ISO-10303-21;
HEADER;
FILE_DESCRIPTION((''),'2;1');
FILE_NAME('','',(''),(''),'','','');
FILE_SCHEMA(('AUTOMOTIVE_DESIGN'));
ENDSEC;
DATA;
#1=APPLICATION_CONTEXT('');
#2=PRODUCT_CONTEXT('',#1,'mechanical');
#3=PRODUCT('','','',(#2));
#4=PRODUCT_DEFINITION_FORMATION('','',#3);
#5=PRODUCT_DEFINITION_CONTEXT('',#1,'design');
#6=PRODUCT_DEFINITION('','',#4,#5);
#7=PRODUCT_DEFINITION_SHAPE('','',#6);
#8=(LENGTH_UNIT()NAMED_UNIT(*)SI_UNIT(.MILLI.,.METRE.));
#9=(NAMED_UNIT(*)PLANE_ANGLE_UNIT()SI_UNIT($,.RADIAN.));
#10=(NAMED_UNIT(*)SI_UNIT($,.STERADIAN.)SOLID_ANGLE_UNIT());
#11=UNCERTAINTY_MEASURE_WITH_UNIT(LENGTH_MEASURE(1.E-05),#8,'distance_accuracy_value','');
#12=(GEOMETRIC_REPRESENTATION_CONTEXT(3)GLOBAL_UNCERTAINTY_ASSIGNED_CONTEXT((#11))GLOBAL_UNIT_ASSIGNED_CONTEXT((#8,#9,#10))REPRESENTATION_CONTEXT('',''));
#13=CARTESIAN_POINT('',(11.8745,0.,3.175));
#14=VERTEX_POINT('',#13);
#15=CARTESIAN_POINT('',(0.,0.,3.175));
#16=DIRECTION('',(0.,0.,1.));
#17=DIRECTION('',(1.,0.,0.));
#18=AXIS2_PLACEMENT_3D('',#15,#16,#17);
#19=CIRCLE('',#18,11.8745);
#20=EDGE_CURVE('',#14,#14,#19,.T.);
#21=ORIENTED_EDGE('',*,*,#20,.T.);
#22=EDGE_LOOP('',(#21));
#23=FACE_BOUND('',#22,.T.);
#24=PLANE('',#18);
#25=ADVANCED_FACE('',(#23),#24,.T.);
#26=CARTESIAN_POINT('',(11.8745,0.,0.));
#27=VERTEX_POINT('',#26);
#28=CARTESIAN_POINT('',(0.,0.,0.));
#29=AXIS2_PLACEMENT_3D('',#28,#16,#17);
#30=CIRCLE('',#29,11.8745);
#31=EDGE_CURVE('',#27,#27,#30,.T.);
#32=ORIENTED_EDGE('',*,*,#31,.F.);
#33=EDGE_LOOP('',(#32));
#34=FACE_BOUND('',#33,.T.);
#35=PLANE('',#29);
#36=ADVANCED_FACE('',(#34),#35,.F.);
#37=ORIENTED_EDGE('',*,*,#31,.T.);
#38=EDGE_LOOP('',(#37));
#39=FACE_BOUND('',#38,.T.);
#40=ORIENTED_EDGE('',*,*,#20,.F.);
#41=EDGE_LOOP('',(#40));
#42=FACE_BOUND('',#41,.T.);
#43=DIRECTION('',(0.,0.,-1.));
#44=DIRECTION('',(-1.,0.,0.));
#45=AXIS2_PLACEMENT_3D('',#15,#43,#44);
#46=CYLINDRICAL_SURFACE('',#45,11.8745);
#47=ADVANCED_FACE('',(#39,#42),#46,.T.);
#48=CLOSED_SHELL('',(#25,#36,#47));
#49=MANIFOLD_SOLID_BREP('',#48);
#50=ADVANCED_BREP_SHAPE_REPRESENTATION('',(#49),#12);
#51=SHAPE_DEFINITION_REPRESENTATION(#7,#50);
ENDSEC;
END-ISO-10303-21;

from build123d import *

# Parameters (mm, degrees)
SKETCH1_R           = 11.8745
BOSS_EXTRUDE1_DEPTH = 3.175


with BuildPart() as part:
    # Sketch1 → Boss-Extrude1 (new body)
    with BuildSketch(Plane.XY):
        Circle(SKETCH1_R)
    extrude(amount=BOSS_EXTRUDE1_DEPTH)


solid = part.part
